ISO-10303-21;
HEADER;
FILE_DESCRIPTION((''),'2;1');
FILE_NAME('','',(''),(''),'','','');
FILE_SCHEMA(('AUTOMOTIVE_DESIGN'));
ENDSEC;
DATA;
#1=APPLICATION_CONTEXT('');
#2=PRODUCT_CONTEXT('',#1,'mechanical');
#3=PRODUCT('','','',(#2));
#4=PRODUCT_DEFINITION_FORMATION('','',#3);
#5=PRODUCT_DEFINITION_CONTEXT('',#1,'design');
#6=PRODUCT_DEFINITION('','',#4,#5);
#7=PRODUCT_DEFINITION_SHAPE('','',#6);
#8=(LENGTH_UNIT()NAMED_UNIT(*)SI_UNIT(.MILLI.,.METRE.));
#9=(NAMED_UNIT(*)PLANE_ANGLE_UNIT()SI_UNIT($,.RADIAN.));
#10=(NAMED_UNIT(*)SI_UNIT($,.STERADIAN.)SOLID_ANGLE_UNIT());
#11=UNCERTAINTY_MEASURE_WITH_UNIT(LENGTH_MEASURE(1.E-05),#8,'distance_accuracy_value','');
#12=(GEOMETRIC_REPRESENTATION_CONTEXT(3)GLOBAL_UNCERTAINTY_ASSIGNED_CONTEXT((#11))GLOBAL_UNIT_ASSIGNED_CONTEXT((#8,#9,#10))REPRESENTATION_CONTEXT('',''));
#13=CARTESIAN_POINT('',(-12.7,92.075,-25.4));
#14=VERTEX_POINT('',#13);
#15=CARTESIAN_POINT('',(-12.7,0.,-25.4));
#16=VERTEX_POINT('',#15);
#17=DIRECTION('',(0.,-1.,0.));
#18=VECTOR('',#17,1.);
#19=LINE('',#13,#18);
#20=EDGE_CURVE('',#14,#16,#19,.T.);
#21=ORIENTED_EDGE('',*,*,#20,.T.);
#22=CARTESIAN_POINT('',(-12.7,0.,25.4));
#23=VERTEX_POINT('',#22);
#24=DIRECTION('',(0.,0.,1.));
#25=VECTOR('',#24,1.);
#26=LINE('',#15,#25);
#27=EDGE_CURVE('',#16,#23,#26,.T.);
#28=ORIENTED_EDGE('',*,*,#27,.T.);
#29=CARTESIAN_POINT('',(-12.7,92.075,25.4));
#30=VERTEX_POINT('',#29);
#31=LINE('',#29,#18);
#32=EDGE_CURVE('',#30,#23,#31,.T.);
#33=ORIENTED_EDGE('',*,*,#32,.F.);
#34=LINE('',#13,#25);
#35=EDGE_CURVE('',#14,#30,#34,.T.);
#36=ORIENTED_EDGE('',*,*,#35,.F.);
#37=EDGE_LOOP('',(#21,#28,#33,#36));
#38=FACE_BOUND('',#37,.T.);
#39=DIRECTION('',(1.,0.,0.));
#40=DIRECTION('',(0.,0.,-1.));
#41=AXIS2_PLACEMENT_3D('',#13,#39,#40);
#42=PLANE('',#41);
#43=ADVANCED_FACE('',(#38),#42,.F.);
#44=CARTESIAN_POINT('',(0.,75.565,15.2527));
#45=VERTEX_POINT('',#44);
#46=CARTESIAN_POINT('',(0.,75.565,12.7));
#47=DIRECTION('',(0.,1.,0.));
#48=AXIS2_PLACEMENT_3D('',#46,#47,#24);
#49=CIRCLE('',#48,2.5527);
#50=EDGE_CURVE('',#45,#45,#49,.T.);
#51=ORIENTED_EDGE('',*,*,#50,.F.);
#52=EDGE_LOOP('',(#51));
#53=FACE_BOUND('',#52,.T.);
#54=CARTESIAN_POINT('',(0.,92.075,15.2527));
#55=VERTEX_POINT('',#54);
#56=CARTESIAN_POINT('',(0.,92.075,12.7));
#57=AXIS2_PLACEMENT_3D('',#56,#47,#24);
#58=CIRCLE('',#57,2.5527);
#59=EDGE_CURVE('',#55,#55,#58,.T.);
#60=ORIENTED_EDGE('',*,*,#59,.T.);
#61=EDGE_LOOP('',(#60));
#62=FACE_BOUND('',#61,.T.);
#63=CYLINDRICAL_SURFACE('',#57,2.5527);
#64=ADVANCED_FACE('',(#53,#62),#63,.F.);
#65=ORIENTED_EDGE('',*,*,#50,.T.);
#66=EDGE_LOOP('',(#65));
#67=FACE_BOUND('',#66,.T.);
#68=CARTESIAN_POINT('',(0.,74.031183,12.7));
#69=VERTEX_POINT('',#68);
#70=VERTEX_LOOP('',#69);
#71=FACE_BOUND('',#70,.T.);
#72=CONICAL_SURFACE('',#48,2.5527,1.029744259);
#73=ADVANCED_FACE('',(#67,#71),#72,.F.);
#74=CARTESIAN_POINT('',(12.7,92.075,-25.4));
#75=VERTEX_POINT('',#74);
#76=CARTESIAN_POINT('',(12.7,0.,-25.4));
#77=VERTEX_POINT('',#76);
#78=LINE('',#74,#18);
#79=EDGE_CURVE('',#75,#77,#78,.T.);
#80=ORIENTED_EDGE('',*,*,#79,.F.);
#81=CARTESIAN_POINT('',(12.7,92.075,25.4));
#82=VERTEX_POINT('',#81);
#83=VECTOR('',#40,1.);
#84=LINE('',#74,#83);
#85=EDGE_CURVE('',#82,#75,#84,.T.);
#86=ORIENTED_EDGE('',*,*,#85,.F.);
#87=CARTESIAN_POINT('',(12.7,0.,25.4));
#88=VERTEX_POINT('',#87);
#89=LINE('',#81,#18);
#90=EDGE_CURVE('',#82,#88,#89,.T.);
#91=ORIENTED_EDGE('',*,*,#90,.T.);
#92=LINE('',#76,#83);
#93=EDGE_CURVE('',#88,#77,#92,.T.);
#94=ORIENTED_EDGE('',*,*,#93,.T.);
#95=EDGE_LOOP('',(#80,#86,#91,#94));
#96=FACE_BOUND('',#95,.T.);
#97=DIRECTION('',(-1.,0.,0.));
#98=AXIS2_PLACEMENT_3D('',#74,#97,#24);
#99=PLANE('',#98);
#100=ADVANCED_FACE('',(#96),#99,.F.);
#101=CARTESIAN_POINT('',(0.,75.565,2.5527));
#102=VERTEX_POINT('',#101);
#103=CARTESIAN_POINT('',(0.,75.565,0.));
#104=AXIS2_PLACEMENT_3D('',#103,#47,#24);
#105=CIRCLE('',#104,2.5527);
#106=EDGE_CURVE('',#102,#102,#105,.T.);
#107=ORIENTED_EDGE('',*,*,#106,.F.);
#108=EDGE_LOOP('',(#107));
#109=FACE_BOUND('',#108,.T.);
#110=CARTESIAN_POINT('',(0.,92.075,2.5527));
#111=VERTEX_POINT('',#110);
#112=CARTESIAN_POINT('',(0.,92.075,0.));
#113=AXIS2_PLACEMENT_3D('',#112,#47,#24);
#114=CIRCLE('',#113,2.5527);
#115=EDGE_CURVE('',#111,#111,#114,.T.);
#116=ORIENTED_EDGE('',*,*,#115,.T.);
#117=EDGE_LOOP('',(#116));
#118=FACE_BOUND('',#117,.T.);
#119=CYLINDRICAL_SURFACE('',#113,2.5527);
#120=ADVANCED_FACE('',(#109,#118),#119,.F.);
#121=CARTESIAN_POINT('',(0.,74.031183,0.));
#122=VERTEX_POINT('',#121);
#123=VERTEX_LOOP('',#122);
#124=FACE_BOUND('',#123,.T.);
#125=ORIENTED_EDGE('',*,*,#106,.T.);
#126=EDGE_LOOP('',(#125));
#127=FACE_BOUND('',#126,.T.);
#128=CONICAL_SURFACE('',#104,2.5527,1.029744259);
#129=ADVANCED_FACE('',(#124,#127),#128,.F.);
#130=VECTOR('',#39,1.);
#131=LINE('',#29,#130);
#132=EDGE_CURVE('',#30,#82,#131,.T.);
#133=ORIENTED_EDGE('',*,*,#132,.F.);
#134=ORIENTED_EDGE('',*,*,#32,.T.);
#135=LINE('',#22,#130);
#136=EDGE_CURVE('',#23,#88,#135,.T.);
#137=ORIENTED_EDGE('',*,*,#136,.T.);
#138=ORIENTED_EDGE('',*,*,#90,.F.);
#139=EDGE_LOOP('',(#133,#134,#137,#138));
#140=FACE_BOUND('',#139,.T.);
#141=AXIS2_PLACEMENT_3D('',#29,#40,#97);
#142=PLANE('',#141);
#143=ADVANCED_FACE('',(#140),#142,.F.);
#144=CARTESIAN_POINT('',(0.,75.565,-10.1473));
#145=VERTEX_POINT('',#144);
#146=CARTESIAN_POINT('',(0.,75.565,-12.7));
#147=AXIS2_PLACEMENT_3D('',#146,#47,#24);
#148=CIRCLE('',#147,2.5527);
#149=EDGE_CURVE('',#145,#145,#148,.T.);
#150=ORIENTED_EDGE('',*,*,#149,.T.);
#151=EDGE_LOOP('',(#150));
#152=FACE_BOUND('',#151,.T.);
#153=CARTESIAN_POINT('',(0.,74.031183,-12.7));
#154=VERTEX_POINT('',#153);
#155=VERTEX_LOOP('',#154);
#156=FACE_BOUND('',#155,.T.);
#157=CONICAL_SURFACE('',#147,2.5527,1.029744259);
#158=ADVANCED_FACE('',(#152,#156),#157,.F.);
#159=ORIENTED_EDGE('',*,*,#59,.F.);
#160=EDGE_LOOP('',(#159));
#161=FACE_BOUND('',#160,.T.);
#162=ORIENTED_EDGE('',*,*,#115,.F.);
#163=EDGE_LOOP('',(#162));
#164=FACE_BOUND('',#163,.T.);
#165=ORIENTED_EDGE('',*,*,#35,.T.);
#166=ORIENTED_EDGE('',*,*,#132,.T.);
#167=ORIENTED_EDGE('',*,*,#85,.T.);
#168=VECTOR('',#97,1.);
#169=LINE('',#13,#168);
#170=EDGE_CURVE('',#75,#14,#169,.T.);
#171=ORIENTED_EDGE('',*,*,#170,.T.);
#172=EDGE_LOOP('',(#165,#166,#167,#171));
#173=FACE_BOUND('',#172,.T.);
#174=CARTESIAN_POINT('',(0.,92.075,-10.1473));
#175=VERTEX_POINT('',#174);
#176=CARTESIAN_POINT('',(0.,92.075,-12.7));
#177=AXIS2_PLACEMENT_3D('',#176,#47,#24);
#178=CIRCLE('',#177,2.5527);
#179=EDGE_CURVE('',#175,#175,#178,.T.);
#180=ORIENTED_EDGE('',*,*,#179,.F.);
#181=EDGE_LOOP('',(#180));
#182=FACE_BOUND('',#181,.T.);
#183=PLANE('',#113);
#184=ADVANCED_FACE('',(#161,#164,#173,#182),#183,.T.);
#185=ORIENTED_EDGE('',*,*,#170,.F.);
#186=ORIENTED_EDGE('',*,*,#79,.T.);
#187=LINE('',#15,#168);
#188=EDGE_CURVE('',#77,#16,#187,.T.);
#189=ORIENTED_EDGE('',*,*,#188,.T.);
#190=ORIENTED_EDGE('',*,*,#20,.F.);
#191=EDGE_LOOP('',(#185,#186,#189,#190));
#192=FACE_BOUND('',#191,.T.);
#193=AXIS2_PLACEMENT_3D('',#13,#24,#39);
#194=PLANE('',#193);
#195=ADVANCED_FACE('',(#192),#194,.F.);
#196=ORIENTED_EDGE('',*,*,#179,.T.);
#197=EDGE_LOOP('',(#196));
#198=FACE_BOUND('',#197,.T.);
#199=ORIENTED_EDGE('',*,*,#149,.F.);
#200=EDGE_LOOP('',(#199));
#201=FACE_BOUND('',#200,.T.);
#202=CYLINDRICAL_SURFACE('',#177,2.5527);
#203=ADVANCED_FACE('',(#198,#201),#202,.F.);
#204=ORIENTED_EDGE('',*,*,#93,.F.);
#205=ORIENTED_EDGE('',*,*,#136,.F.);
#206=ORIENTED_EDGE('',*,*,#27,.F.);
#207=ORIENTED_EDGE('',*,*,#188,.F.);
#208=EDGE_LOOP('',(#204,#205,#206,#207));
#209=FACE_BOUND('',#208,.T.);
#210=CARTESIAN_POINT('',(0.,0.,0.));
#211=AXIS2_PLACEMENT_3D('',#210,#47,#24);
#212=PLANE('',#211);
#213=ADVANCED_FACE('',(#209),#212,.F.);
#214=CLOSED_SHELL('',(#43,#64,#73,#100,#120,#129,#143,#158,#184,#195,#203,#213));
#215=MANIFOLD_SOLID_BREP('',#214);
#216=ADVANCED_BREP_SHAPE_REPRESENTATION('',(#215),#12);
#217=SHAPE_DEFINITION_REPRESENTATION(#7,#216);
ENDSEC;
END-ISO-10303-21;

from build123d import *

# Parameters (mm, degrees)
SKETCH1_W                   = 25.4
SKETCH1_H                   = 50.8
BOSS_EXTRUDE1_DEPTH         = 92.075
F_1_4_20_TAPPED_HOLE3_D     = 5.1054
F_1_4_20_TAPPED_HOLE3_DEPTH = 16.51
F_1_4_20_TAPPED_HOLE3_TIP   = 1.533816902


with BuildPart() as part:
    # Sketch1 → Boss-Extrude1 (new body)
    with BuildSketch(Plane(origin=(0, 0, 0), x_dir=(1, 0, 0), z_dir=(0, 1, 0))):
        Rectangle(SKETCH1_W, SKETCH1_H)
    extrude(amount=BOSS_EXTRUDE1_DEPTH)

    # 1/4-20 Tapped Hole3
    with Locations(Plane(origin=(0, 92.075, 0), x_dir=(1, 0, 0), z_dir=(0, 1, 0))):
        with Locations((0, 12.7), (0, 0), (0, -12.7)):
            Hole(F_1_4_20_TAPPED_HOLE3_D / 2, depth=F_1_4_20_TAPPED_HOLE3_DEPTH)
            with Locations((0, 0, -(F_1_4_20_TAPPED_HOLE3_DEPTH + F_1_4_20_TAPPED_HOLE3_TIP / 2))):  # 118° drill point
                Cone(0, F_1_4_20_TAPPED_HOLE3_D / 2, F_1_4_20_TAPPED_HOLE3_TIP, mode=Mode.SUBTRACT)


solid = part.part
